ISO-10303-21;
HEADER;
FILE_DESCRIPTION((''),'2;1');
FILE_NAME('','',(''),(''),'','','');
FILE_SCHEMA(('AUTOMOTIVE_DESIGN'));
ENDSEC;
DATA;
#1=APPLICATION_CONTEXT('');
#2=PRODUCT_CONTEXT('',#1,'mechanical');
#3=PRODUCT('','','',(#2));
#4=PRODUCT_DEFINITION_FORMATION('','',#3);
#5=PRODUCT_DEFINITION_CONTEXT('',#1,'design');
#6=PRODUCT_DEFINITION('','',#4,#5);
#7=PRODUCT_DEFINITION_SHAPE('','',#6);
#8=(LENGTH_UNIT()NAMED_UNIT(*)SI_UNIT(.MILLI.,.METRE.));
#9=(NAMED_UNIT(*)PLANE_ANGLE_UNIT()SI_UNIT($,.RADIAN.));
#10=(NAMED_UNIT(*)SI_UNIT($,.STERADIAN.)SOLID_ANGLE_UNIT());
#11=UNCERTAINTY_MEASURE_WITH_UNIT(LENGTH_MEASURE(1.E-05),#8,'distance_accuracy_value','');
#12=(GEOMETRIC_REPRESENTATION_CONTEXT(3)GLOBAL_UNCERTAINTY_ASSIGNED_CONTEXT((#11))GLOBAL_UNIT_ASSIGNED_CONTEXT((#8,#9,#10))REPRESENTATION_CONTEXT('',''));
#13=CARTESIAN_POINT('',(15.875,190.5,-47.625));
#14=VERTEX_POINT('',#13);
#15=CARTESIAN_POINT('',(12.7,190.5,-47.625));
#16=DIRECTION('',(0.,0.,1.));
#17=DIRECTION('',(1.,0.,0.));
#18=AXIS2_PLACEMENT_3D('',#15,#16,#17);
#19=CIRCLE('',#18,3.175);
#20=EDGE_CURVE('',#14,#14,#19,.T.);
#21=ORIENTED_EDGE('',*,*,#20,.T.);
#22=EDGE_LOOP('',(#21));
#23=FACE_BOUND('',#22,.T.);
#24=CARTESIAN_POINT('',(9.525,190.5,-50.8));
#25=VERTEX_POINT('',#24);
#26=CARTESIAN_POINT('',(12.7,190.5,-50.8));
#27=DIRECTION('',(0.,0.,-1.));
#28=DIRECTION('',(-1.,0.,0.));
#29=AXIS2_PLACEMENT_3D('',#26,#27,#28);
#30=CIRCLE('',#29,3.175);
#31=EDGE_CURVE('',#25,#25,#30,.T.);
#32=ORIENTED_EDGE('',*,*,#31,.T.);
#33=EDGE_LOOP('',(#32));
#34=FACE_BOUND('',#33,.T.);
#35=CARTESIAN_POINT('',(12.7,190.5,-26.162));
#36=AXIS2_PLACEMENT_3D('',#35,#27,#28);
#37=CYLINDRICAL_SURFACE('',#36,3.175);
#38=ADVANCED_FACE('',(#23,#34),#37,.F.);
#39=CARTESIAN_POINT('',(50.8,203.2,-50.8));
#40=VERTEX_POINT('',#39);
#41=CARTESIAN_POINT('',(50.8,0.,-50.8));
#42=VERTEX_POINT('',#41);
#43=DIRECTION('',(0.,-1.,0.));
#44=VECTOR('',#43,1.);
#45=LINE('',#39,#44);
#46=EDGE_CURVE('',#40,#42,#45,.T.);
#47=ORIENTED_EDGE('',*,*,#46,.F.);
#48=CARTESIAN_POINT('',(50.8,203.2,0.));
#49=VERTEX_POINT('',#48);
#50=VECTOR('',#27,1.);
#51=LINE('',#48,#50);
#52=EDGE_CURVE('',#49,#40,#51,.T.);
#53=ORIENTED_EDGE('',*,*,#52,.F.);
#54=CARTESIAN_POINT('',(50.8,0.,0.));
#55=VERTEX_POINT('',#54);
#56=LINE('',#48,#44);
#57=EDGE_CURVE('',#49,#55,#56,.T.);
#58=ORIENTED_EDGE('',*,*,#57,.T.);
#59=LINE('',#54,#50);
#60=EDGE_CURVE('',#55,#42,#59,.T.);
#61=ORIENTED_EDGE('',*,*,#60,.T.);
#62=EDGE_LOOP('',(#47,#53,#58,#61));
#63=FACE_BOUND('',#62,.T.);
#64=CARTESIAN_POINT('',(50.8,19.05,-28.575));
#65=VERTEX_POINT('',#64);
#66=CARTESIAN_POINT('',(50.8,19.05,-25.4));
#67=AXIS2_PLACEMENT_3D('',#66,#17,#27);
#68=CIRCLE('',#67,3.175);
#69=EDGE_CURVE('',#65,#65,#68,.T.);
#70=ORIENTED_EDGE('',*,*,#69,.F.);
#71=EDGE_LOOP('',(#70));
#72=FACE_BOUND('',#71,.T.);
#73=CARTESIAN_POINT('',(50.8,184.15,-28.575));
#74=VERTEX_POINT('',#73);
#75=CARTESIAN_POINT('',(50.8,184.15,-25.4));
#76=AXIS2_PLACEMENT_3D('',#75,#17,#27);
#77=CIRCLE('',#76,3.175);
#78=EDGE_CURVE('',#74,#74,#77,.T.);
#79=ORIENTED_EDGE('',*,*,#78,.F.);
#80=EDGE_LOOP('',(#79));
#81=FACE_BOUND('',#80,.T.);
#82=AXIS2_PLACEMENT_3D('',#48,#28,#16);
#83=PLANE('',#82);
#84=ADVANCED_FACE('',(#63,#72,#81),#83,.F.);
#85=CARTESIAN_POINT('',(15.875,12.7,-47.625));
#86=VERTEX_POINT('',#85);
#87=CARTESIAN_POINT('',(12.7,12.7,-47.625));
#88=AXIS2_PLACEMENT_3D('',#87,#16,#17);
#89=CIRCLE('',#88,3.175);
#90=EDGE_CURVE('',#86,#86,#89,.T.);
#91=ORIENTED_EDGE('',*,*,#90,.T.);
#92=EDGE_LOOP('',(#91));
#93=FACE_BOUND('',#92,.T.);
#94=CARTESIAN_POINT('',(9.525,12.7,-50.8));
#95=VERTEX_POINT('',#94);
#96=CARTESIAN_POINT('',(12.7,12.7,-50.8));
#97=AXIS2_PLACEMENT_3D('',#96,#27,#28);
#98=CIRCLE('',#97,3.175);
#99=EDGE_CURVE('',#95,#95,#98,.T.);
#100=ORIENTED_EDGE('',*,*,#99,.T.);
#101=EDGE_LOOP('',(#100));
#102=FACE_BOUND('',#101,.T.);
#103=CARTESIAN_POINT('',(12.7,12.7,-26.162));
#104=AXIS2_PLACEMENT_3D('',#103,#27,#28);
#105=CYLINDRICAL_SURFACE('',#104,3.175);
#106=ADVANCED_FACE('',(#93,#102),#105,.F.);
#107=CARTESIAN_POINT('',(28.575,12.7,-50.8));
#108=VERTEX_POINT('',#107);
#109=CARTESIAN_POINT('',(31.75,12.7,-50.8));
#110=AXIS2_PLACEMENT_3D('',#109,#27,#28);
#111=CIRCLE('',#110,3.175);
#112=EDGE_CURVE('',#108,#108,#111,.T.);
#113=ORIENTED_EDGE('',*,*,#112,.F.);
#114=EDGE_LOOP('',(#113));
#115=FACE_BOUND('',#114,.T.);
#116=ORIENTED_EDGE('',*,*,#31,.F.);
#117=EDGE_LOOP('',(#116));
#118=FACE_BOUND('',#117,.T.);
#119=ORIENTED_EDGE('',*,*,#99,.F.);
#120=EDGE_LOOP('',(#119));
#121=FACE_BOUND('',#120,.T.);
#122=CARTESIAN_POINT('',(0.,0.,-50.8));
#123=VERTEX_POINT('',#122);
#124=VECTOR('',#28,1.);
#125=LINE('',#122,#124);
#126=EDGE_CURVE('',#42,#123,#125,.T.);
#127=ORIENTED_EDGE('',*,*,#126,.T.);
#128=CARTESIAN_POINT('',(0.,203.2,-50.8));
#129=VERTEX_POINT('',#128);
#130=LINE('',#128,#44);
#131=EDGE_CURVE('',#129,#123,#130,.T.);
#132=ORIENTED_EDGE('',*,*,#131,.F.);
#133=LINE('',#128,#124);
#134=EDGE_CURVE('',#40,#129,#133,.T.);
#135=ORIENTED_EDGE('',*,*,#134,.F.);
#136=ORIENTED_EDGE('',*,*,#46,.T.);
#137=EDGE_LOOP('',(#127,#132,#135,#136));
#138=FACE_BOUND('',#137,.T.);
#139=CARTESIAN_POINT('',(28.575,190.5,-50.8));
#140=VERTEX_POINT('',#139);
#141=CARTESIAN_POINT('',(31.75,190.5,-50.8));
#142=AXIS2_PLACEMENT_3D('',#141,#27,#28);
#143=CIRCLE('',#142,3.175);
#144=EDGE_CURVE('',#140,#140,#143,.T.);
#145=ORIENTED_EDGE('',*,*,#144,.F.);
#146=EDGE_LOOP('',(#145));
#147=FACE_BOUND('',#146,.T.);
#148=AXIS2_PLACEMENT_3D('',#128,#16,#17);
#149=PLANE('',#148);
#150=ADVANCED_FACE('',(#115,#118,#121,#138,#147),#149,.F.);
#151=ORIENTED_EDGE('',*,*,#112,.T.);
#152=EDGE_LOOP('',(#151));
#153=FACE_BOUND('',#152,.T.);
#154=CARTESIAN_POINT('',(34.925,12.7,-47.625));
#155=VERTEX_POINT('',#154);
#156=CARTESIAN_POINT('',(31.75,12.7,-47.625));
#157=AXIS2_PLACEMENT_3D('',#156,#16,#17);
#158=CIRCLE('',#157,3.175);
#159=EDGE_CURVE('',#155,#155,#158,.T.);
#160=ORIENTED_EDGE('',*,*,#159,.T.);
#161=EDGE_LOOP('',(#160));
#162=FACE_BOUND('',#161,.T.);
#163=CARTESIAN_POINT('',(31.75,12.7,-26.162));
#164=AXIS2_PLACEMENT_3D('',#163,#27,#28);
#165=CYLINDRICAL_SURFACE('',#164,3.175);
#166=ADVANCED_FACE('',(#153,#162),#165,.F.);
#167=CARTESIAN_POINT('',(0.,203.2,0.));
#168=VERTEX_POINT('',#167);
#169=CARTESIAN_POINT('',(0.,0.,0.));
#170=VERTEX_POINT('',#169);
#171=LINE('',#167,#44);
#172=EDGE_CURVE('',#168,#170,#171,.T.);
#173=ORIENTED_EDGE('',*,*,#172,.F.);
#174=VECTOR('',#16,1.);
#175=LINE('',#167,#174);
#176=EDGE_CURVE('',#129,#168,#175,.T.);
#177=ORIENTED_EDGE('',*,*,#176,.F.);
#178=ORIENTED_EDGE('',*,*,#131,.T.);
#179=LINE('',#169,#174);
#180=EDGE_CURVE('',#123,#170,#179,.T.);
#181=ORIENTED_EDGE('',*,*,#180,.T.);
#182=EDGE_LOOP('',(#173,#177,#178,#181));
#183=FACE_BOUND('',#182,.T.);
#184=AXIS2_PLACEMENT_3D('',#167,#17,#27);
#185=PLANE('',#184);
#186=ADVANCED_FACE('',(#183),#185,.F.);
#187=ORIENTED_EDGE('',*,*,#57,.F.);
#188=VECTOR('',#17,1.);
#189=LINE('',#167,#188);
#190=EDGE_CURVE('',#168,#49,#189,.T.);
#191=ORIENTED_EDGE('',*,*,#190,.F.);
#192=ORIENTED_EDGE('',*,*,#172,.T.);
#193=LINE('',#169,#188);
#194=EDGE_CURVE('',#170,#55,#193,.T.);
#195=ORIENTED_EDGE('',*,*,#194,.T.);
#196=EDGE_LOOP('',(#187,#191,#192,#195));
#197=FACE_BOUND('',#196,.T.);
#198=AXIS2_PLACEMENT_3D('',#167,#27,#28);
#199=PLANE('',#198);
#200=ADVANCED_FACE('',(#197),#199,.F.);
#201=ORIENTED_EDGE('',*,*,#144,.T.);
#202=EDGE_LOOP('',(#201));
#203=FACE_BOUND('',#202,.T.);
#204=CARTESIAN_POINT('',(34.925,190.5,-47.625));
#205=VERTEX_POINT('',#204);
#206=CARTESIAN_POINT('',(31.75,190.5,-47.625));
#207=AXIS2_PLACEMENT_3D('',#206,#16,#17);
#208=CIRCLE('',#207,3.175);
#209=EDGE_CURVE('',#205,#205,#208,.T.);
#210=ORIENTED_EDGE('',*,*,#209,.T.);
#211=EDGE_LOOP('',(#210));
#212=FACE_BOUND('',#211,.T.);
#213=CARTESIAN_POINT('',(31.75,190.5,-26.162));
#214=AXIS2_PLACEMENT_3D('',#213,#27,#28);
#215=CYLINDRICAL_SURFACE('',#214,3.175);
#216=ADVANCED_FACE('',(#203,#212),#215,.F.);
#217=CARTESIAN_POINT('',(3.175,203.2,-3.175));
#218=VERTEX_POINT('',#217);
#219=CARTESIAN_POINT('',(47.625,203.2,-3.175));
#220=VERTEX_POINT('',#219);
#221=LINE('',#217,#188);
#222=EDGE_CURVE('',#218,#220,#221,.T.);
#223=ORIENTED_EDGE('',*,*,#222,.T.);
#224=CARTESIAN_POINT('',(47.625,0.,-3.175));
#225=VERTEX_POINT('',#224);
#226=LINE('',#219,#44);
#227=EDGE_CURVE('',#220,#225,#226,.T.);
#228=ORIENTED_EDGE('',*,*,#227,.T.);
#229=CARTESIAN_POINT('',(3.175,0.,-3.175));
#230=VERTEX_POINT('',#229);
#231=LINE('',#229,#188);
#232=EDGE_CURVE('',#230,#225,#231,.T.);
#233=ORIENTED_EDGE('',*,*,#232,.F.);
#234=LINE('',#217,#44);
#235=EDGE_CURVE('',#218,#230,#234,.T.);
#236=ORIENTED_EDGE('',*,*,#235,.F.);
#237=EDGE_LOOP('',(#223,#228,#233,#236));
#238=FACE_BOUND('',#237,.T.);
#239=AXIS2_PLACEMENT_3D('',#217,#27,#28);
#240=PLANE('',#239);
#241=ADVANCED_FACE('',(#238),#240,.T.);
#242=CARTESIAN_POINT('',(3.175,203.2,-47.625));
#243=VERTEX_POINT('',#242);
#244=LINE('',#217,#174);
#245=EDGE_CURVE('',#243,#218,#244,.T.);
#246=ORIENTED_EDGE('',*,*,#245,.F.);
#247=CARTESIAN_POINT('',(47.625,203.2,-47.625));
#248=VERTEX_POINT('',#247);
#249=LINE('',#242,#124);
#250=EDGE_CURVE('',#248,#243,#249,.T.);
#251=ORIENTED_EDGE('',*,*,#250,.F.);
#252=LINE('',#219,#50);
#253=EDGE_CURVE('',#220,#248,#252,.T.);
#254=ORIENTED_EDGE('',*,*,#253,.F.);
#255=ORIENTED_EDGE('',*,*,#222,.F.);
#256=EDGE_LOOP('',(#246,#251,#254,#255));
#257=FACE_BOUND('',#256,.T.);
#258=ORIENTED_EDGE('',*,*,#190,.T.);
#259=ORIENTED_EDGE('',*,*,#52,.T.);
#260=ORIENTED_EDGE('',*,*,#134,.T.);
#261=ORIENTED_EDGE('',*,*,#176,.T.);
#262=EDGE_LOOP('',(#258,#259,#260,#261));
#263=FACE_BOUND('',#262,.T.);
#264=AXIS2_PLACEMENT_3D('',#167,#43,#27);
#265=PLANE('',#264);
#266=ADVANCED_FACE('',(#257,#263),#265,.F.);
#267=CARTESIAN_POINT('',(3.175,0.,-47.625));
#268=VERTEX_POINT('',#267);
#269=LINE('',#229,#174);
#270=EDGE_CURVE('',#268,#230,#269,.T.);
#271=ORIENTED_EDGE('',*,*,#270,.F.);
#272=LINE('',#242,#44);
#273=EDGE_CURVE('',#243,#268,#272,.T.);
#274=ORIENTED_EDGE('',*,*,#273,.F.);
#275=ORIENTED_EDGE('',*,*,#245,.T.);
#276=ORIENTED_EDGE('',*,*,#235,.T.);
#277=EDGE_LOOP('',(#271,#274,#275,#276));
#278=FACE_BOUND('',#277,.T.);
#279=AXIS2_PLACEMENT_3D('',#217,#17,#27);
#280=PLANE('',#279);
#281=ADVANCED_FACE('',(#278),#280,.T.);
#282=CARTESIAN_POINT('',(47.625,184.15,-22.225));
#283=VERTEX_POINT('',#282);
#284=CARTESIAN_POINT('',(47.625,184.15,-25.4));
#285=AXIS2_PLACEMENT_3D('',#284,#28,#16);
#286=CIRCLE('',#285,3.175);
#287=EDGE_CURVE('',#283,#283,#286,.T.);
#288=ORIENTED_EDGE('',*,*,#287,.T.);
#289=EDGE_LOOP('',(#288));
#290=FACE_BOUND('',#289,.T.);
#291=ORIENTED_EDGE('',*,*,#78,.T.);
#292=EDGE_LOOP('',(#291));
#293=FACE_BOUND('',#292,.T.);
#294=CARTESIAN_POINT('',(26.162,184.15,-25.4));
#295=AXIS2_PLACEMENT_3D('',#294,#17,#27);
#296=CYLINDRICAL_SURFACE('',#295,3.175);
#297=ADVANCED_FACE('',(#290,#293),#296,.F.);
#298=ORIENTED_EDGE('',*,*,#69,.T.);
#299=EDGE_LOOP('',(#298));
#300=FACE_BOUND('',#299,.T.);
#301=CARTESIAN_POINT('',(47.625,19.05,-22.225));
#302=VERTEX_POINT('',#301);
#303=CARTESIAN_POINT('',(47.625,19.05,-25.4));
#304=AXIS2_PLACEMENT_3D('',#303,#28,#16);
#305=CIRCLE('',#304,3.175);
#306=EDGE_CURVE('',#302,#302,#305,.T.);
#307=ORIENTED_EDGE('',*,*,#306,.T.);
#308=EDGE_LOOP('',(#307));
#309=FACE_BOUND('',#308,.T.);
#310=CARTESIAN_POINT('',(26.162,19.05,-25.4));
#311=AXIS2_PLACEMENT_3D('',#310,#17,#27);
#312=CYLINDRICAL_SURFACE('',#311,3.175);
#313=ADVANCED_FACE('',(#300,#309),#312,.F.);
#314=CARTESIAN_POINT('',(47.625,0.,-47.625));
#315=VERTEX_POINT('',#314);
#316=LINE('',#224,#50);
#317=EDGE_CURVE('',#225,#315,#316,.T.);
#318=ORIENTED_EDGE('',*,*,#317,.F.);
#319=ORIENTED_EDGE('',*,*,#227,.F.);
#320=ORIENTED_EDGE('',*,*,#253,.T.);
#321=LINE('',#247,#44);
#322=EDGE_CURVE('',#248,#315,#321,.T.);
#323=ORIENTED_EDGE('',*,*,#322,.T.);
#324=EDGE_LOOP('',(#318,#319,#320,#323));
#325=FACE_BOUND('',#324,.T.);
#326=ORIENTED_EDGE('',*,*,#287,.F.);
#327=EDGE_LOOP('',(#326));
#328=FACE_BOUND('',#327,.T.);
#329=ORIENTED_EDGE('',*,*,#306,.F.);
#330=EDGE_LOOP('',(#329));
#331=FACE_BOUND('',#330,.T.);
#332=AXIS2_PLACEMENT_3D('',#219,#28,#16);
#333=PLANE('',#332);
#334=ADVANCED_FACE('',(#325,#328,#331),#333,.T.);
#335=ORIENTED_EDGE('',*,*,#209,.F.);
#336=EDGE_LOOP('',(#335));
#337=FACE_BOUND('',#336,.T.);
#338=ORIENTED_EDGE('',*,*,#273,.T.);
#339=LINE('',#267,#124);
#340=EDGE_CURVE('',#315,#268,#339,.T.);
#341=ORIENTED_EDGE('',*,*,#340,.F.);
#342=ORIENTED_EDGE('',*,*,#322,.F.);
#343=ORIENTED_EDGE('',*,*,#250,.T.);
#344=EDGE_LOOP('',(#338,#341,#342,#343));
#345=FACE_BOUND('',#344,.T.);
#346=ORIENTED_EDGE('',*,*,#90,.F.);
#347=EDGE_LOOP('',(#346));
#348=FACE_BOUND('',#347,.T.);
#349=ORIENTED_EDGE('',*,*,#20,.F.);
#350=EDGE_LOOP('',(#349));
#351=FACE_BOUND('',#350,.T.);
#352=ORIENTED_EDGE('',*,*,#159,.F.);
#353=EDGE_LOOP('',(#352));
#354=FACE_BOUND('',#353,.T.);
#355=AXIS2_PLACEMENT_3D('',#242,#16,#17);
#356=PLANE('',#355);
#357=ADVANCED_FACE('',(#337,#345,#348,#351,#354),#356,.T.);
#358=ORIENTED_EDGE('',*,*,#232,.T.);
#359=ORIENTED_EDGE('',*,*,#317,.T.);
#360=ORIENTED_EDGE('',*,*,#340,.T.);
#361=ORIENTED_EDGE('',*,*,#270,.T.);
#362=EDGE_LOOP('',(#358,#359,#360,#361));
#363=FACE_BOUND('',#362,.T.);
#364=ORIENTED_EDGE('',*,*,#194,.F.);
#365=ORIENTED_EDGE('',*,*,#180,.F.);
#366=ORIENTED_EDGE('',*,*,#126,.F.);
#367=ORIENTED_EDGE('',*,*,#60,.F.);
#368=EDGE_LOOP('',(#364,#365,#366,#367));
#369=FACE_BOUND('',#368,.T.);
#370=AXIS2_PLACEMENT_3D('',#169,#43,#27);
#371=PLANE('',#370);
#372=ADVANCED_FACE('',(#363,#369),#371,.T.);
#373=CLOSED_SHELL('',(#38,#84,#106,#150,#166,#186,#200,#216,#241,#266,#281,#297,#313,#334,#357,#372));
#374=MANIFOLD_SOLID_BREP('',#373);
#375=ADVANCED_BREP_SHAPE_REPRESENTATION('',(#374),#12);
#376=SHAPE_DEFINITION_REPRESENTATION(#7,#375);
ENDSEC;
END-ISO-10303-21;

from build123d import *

# Parameters (mm, degrees)
SKETCH1_W           = 50.8
SKETCH1_H           = 50.8
SKETCH1_W_2         = 44.45
SKETCH1_H_2         = 44.45
BOSS_EXTRUDE1_DEPTH = 203.2
SKETCH2_R           = 3.175
CUT_EXTRUDE1_DEPTH  = 24.638
SKETCH3_R           = 3.175
CUT_EXTRUDE2_DEPTH  = 24.638


with BuildPart() as part:
    # Sketch1 → Boss-Extrude1 (new body)
    with BuildSketch(Plane(origin=(0, 0, 0), x_dir=(1, 0, 0), z_dir=(0, 1, 0))):
        with Locations((25.4, 25.4)):
            Rectangle(SKETCH1_W, SKETCH1_H)
        with Locations((25.4, 25.4)):
            Rectangle(SKETCH1_W_2, SKETCH1_H_2, mode=Mode.SUBTRACT)
    extrude(amount=BOSS_EXTRUDE1_DEPTH)

    # Sketch2 → Cut-Extrude1 (cut)
    with BuildSketch(Plane(origin=(0, 0, -50.8), x_dir=(-1, 0, 0), z_dir=(0, 0, -1))):
        with Locations((-12.7, 190.5)):
            Circle(SKETCH2_R)
        with Locations((-31.75, 190.5)):
            Circle(SKETCH2_R)
        with Locations((-31.75, 12.7)):
            Circle(SKETCH2_R)
        with Locations((-12.7, 12.7)):
            Circle(SKETCH2_R)
    extrude(amount=-CUT_EXTRUDE1_DEPTH, mode=Mode.SUBTRACT)

    # Sketch3 → Cut-Extrude2 (cut)
    with BuildSketch(Plane(origin=(50.8, 0, 0), x_dir=(0, 0, -1), z_dir=(1, 0, 0))):
        with Locations((25.4, 184.15)):
            Circle(SKETCH3_R)
        with Locations((25.4, 19.05)):
            Circle(SKETCH3_R)
    extrude(amount=-CUT_EXTRUDE2_DEPTH, mode=Mode.SUBTRACT)


solid = part.part
